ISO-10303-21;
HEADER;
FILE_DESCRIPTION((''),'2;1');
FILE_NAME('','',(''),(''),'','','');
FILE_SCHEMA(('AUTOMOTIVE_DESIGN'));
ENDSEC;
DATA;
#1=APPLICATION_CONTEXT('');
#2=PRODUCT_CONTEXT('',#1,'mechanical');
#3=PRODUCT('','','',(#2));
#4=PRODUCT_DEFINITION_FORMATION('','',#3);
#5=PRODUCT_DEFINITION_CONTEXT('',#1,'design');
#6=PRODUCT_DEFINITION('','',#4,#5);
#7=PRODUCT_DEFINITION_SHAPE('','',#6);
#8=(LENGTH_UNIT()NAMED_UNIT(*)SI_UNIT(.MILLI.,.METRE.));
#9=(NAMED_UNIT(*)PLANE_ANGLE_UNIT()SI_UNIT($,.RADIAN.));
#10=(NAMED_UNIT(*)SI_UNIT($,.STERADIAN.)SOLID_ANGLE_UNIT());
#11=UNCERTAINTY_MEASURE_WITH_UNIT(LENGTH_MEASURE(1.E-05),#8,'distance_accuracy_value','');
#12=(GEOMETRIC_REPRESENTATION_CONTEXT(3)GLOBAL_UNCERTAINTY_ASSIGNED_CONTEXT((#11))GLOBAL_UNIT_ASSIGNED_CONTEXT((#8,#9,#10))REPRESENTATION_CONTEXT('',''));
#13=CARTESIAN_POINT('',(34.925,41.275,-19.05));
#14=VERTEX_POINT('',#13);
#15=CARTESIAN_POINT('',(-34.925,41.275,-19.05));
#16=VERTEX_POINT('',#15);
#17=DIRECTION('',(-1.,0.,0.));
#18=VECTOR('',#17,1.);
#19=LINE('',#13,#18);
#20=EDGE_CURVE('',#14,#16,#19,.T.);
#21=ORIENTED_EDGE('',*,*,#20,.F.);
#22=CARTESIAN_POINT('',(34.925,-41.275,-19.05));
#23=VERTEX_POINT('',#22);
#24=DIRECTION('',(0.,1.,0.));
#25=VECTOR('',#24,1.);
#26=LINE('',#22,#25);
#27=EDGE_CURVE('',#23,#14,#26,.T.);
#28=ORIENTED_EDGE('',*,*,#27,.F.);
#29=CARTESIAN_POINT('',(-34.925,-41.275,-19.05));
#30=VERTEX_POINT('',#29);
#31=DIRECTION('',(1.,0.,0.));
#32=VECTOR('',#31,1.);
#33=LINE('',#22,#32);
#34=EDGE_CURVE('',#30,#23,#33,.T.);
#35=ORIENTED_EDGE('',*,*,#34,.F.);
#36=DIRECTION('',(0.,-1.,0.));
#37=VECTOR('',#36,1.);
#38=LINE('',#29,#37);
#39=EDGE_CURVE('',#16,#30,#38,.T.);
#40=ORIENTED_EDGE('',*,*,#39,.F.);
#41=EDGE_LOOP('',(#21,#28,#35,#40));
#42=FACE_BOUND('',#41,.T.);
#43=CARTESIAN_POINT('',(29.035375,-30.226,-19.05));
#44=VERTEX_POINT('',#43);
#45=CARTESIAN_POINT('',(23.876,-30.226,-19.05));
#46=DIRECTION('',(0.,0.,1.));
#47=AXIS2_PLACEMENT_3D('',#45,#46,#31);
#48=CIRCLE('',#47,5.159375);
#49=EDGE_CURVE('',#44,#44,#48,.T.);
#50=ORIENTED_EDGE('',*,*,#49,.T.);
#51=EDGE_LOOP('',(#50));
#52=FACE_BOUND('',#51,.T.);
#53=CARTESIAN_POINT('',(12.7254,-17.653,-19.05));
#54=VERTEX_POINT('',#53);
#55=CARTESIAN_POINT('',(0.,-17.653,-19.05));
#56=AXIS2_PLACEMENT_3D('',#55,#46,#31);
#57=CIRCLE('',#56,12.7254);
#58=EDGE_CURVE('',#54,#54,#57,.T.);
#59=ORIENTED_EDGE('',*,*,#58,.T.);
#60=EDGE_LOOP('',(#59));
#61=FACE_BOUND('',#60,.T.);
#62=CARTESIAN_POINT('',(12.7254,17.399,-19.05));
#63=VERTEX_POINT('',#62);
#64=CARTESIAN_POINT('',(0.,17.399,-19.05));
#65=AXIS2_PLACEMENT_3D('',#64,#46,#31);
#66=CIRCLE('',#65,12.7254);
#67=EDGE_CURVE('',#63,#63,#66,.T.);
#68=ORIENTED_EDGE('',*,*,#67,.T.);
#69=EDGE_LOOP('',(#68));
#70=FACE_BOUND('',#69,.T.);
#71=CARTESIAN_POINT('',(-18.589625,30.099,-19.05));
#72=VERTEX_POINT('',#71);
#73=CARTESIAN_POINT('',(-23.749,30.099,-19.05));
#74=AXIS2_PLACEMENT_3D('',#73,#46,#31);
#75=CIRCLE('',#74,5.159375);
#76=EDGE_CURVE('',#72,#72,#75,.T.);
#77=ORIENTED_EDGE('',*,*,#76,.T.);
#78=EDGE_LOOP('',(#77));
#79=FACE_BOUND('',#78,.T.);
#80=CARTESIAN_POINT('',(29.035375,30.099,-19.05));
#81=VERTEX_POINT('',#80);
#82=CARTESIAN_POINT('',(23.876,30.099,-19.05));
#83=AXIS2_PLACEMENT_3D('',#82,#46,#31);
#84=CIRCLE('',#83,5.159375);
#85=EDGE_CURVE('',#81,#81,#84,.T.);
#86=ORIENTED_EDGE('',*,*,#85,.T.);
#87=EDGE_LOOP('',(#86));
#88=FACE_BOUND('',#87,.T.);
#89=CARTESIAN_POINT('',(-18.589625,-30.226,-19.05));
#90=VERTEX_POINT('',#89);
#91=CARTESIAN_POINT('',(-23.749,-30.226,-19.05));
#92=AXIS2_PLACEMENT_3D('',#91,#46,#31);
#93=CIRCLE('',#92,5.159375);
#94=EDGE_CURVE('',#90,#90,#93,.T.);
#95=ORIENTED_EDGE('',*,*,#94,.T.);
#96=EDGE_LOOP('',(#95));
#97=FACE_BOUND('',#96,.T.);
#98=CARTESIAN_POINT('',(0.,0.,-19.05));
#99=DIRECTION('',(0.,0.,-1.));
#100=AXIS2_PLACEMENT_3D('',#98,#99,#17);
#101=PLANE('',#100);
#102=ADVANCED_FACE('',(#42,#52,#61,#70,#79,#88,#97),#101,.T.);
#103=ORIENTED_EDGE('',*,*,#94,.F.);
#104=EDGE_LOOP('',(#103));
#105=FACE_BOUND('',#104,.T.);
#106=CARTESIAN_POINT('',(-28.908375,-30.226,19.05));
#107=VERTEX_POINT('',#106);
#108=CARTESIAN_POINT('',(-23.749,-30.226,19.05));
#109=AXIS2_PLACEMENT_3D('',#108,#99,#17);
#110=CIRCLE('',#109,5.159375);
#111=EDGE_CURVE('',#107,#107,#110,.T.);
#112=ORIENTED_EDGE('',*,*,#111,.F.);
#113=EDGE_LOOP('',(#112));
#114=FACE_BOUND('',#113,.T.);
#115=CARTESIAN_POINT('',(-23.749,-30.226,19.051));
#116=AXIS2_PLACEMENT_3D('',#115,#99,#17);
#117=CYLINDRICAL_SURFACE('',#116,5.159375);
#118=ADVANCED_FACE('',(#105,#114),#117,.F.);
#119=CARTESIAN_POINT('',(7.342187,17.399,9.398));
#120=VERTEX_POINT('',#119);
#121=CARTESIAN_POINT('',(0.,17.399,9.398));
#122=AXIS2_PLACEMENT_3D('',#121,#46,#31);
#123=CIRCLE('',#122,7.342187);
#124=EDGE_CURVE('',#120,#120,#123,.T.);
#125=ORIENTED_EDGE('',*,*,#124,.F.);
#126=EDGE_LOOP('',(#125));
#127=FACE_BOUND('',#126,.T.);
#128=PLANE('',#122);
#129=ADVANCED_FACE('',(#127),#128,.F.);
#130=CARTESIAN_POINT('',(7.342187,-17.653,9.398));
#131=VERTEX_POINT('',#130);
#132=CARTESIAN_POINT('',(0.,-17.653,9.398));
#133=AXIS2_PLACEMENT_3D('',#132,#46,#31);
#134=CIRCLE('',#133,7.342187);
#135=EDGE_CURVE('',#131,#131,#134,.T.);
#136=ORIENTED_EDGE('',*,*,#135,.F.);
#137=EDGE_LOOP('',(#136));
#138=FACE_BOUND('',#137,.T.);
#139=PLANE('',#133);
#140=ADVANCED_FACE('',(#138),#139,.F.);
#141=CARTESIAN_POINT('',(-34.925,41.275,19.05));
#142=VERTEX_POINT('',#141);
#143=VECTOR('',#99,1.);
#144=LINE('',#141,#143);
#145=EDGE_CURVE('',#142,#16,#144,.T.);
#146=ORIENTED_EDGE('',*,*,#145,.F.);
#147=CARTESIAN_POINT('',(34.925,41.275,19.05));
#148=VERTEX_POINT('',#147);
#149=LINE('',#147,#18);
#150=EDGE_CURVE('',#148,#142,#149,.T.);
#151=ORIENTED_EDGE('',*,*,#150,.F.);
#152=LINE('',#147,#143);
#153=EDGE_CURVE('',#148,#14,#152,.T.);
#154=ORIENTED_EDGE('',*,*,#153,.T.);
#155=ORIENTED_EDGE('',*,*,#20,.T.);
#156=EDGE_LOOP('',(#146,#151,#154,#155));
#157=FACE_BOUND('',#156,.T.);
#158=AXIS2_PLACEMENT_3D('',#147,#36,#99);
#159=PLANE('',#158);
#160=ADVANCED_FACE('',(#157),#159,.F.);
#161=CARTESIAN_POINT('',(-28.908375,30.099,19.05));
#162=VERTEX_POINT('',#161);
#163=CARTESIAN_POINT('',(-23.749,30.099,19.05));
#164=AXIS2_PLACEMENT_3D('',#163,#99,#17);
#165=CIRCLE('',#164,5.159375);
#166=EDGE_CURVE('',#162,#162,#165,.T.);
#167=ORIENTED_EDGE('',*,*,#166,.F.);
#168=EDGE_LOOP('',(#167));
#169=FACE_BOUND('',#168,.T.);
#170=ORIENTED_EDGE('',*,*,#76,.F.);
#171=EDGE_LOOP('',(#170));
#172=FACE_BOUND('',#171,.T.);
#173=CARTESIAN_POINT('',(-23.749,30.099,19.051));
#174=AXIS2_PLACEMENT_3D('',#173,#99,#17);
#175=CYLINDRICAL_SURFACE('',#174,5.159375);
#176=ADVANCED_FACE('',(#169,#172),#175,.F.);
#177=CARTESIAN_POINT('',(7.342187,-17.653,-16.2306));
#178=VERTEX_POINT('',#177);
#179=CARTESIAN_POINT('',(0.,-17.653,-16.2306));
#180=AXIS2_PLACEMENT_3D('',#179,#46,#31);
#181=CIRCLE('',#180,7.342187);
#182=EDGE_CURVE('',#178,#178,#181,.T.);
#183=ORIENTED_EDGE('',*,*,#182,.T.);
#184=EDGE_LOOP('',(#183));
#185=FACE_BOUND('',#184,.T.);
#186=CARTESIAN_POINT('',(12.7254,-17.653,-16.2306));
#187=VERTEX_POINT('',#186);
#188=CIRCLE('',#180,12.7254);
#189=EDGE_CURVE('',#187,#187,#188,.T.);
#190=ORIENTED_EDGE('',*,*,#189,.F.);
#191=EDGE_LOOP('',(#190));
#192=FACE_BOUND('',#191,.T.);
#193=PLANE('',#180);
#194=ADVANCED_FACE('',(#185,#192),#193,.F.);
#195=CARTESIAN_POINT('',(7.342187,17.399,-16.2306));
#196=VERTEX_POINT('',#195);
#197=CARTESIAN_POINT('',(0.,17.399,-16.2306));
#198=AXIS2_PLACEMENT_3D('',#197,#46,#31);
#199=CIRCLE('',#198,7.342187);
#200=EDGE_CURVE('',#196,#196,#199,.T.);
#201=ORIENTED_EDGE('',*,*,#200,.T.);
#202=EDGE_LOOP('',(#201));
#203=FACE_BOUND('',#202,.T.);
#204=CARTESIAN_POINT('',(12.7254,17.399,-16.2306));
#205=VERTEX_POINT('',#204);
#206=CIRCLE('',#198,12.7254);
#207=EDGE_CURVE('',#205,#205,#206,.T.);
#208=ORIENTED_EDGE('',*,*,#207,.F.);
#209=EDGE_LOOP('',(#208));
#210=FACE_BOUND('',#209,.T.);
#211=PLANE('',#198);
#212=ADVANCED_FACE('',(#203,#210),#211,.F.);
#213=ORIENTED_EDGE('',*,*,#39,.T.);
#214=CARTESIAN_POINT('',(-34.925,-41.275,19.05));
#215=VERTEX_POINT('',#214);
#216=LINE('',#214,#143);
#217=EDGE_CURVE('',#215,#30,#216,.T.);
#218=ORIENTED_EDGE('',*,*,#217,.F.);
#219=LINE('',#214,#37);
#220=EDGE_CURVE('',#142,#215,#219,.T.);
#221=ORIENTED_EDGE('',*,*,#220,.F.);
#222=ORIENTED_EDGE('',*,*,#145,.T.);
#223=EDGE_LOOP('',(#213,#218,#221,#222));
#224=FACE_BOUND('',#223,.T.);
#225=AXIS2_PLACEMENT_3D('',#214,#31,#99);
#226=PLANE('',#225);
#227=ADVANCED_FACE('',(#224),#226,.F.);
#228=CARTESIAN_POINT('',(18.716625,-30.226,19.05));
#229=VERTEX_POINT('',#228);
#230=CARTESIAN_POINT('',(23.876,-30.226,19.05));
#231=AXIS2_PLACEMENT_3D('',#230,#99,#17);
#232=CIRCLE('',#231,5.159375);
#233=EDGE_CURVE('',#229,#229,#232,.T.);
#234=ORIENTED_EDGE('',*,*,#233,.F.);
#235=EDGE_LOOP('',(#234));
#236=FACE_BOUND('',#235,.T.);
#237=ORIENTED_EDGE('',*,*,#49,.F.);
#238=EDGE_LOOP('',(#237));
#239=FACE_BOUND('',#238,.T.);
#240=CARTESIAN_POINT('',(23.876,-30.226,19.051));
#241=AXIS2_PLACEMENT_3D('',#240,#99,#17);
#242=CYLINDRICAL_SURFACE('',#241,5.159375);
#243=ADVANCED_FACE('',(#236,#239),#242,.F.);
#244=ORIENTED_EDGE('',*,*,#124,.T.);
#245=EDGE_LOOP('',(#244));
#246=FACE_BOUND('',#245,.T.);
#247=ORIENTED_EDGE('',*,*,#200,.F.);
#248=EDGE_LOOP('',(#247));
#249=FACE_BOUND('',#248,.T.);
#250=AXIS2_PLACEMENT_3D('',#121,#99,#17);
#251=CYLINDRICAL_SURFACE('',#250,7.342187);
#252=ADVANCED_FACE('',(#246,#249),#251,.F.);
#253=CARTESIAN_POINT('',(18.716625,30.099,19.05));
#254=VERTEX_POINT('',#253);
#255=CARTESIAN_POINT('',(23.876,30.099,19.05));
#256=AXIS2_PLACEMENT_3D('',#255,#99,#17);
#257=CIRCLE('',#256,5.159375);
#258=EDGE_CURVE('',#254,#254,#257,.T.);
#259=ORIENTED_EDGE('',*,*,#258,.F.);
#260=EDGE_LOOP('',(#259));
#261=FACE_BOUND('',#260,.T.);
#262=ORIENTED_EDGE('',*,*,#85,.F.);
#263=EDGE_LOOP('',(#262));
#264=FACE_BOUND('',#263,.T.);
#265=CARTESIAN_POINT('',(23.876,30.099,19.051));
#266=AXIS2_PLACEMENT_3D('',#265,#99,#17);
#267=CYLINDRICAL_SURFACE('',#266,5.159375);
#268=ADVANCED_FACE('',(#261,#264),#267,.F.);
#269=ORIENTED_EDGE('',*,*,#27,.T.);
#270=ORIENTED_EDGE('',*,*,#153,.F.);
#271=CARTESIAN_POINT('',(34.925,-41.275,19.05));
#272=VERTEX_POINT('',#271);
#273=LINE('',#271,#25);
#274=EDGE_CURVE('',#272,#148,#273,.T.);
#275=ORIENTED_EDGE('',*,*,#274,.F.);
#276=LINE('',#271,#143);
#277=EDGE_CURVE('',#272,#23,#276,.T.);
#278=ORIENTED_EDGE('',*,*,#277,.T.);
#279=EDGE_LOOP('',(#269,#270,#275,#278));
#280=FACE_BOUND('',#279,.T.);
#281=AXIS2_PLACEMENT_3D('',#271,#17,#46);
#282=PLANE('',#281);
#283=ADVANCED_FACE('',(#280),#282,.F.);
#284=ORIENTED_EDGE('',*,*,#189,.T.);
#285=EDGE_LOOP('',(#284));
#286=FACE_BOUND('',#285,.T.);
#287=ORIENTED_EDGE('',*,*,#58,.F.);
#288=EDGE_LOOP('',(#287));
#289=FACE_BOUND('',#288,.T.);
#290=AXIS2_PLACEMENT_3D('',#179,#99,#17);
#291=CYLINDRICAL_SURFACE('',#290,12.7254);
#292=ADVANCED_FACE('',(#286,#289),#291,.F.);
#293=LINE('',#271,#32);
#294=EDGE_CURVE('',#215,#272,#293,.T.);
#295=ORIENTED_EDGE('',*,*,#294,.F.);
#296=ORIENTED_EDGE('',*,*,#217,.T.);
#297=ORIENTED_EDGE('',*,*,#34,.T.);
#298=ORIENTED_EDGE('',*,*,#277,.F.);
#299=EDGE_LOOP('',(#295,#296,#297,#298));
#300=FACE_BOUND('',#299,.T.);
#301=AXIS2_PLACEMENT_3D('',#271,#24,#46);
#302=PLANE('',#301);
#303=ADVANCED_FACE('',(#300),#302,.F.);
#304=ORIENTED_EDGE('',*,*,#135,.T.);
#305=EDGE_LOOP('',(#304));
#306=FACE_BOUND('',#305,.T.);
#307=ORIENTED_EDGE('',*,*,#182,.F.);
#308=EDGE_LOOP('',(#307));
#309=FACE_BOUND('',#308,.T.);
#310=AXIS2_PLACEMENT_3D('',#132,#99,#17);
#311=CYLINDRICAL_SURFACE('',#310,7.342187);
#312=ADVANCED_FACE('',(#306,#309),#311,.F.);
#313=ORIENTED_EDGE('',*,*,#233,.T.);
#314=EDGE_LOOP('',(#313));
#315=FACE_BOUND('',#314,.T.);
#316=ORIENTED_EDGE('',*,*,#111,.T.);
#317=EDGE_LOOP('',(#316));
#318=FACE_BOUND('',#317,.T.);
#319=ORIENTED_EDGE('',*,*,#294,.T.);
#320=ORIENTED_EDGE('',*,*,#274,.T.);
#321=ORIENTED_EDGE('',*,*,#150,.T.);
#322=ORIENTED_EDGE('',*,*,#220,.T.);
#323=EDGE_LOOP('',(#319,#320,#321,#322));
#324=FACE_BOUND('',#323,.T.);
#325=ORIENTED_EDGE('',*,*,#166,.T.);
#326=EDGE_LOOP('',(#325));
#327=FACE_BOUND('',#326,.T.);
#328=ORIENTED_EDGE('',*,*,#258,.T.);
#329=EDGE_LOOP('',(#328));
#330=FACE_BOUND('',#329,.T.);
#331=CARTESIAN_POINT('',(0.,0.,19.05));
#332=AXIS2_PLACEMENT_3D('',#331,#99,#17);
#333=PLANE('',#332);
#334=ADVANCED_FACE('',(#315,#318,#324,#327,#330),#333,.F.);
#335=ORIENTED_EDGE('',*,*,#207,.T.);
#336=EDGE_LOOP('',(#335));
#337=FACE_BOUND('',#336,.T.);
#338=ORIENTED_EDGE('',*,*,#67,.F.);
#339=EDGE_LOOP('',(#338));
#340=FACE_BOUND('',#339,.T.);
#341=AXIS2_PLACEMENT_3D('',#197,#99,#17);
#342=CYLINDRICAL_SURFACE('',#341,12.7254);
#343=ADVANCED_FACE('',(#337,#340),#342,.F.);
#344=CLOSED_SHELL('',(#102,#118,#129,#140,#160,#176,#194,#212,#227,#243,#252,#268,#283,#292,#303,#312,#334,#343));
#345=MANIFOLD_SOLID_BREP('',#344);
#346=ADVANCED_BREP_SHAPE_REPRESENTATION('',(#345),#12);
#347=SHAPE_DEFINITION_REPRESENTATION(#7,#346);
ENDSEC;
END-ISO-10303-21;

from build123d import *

# Parameters (mm, degrees)
SKETCH1_W           = 82.55
SKETCH1_H           = 69.85
BOSS_EXTRUDE1_DEPTH = 19.05
CUT_EXTRUDE2_START  = -19.05
SKETCH2_R           = 5.159375
CUT_EXTRUDE2_DEPTH  = 38.1
CUT_EXTRUDE4_START  = -19.05
SKETCH3_R           = 5.159375
CUT_EXTRUDE4_DEPTH  = 38.1
CUT_EXTRUDE6_START  = -19.05
SKETCH4_R           = 7.3421875
CUT_EXTRUDE6_DEPTH  = 28.448
CUT_EXTRUDE8_START  = -19.05
SKETCH5_R           = 12.7254
CUT_EXTRUDE8_DEPTH  = 2.8194
CUT_EXTRUDE10_START = -19.05
SKETCH6_R           = 7.3421875
CUT_EXTRUDE10_DEPTH = 28.448
CUT_EXTRUDE12_START = -19.05
SKETCH7_R           = 12.7254
CUT_EXTRUDE12_DEPTH = 2.8194


with BuildPart() as part:
    # Sketch1 → Boss-Extrude1 (new, symmetric)
    with BuildSketch(Plane(origin=(0, 0, 0), x_dir=(0, 1, 0), z_dir=(0, 0, 1))):
        Rectangle(SKETCH1_W, SKETCH1_H)
    extrude(amount=BOSS_EXTRUDE1_DEPTH, both=True)

    # Sketch2 → Cut-Extrude2 (cut)
    with BuildSketch(Plane(origin=(0, 0, 0), x_dir=(0, 1, 0), z_dir=(0, 0, 1)).offset(CUT_EXTRUDE2_START)):
        with Locations(Location((-30.226, -23.876, 0), (0, 0, 90))):
            Circle(SKETCH2_R)
    extrude(amount=CUT_EXTRUDE2_DEPTH, mode=Mode.SUBTRACT)

    # Sketch3 → Cut-Extrude4 (cut)
    with BuildSketch(Plane(origin=(0, 0, 0), x_dir=(0, 1, 0), z_dir=(0, 0, 1)).offset(CUT_EXTRUDE4_START)):
        with Locations(Location((30.099, -23.876, 0), (0, 0, 90))):
            Circle(SKETCH3_R)
        with Locations(Location((-30.226, 23.749, 0), (0, 0, 90))):
            Circle(SKETCH3_R)
        with Locations(Location((30.099, 23.749, 0), (0, 0, 90))):
            Circle(SKETCH3_R)
    extrude(amount=CUT_EXTRUDE4_DEPTH, mode=Mode.SUBTRACT)

    # Sketch4 → Cut-Extrude6 (cut)
    with BuildSketch(Plane(origin=(0, 0, 0), x_dir=(0, 1, 0), z_dir=(0, 0, 1)).offset(CUT_EXTRUDE6_START)):
        with Locations(Location((-17.653, 0, 0), (0, 0, 270))):
            Circle(SKETCH4_R)
    extrude(amount=CUT_EXTRUDE6_DEPTH, mode=Mode.SUBTRACT)

    # Sketch5 → Cut-Extrude8 (cut)
    with BuildSketch(Plane(origin=(0, 0, 0), x_dir=(0, 1, 0), z_dir=(0, 0, 1)).offset(CUT_EXTRUDE8_START)):
        with Locations(Location((-17.653, 0, 0), (0, 0, 270))):
            Circle(SKETCH5_R)
    extrude(amount=CUT_EXTRUDE8_DEPTH, mode=Mode.SUBTRACT)

    # Sketch6 → Cut-Extrude10 (cut)
    with BuildSketch(Plane(origin=(0, 0, 0), x_dir=(0, 1, 0), z_dir=(0, 0, 1)).offset(CUT_EXTRUDE10_START)):
        with Locations(Location((17.399, 0, 0), (0, 0, 270))):
            Circle(SKETCH6_R)
    extrude(amount=CUT_EXTRUDE10_DEPTH, mode=Mode.SUBTRACT)

    # Sketch7 → Cut-Extrude12 (cut)
    with BuildSketch(Plane(origin=(0, 0, 0), x_dir=(0, 1, 0), z_dir=(0, 0, 1)).offset(CUT_EXTRUDE12_START)):
        with Locations(Location((17.399, 0, 0), (0, 0, 270))):
            Circle(SKETCH7_R)
    extrude(amount=CUT_EXTRUDE12_DEPTH, mode=Mode.SUBTRACT)


solid = part.part
